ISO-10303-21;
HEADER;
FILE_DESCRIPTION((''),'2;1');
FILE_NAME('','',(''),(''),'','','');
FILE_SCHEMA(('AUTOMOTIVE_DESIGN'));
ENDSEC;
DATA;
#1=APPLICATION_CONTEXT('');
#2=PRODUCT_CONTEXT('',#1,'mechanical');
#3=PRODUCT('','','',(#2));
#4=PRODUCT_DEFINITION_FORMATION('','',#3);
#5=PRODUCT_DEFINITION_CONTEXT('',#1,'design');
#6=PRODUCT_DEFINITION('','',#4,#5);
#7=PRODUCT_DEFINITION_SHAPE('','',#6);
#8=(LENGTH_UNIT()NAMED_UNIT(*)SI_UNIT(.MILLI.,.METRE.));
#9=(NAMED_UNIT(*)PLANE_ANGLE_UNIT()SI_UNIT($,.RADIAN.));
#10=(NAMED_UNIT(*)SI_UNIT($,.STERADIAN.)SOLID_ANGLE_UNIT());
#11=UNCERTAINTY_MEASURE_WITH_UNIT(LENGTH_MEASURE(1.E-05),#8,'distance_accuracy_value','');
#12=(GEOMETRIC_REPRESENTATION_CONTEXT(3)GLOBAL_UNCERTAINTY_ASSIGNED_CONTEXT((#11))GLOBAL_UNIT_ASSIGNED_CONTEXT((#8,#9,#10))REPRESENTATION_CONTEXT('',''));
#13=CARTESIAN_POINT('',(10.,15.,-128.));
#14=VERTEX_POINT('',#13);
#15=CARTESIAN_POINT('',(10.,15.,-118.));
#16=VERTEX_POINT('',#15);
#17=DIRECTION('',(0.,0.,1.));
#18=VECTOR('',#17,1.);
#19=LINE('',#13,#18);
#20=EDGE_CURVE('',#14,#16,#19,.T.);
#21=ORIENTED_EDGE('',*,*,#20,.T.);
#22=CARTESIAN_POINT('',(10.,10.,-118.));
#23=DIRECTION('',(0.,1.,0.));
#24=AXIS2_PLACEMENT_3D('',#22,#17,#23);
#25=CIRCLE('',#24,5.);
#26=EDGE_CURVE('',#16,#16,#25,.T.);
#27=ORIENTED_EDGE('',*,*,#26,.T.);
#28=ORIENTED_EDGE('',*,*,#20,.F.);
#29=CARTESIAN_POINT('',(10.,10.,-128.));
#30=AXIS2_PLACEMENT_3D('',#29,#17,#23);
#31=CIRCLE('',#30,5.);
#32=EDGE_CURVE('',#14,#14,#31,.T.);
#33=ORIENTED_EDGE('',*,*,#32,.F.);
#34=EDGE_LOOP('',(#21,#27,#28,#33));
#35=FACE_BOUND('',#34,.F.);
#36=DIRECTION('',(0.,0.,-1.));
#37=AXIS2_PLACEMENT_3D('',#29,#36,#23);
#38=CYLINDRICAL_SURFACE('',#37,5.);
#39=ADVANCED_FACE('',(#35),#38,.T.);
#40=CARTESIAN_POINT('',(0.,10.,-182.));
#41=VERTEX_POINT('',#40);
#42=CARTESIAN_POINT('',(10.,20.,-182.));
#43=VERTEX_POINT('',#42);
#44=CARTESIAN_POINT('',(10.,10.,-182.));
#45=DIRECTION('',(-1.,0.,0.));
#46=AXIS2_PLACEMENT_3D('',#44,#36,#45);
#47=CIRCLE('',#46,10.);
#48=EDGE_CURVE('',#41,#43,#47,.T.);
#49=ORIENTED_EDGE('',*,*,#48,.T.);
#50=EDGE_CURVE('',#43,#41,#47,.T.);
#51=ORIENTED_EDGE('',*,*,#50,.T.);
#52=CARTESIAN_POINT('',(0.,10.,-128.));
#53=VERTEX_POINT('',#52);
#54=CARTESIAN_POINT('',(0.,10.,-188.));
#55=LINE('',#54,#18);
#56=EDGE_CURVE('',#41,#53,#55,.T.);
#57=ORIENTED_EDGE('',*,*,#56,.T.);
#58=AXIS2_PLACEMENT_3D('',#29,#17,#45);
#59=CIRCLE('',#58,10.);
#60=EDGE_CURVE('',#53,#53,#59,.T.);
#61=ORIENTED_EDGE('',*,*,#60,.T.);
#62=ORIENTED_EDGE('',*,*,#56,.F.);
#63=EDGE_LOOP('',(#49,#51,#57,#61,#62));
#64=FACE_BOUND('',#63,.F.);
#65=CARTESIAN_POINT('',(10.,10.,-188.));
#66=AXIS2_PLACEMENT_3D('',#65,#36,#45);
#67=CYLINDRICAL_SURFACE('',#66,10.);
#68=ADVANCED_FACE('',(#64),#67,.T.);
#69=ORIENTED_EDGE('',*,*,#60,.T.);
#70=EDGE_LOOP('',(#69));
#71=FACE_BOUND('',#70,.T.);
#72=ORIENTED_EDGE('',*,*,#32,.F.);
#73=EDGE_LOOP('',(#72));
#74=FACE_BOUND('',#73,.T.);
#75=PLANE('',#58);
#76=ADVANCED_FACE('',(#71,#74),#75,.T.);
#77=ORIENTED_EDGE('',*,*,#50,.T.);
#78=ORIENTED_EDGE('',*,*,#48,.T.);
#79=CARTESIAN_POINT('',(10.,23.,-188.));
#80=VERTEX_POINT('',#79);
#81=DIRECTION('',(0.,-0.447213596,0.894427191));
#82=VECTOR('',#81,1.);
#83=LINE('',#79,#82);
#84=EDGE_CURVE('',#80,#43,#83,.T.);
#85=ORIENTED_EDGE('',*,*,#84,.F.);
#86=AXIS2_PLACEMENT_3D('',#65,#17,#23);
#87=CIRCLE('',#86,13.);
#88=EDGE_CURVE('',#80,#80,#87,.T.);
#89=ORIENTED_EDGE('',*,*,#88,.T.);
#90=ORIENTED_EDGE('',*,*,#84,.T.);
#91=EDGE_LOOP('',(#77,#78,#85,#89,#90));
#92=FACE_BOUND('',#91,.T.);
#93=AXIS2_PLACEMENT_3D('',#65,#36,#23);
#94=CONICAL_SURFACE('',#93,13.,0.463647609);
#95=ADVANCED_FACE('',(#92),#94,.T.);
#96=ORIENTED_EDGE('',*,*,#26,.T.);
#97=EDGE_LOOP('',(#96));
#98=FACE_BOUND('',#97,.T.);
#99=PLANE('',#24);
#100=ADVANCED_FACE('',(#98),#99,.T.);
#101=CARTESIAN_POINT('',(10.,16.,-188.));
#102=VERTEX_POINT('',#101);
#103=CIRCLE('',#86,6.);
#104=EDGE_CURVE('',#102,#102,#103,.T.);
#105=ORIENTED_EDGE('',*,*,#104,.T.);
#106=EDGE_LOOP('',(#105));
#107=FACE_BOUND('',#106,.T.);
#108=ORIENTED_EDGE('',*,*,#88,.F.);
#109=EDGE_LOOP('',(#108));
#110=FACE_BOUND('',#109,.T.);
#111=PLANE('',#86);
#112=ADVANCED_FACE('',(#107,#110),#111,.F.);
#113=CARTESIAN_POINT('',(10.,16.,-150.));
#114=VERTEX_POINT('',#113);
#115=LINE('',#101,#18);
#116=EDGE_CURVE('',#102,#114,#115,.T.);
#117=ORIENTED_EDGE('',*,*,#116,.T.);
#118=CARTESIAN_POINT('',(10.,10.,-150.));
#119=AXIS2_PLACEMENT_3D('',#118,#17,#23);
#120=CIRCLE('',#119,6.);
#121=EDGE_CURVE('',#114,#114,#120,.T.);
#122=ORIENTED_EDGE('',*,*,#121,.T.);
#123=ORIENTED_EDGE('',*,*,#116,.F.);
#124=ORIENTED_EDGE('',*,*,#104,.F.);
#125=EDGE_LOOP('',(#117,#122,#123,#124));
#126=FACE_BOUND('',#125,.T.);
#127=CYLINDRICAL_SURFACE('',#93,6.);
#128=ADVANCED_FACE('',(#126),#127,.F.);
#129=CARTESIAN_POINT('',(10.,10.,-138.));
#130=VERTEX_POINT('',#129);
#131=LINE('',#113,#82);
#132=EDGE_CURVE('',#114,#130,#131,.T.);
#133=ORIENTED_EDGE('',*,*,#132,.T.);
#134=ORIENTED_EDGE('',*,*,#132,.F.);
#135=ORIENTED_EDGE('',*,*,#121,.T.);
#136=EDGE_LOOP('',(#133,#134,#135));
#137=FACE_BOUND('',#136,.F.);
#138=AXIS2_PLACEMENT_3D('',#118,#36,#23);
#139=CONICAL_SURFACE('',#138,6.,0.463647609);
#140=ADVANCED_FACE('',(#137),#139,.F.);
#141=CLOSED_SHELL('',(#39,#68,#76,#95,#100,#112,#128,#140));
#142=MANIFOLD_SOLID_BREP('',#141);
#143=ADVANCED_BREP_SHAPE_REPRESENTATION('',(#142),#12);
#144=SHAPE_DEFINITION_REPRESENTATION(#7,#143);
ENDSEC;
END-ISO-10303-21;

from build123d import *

# Parameters (mm, degrees)
CYLINDER_R              = 10
CYLINDER_DEPTH          = 60
CYLINDER001_R           = 5
CYLINDER001_DEPTH       = 10
CYLINDER002_R           = 6
CYLINDER002_DEPTH       = 38
BODY002_PLACEMENT_ANGLE = 90


with BuildPart() as part:
    # Cylinder → Cylinder (join)
    with BuildSketch(Plane(origin=(10, 0, -127), x_dir=(0, 1, 0), z_dir=(0, 0, 1))):
        Circle(CYLINDER_R)
    extrude(amount=CYLINDER_DEPTH)

    # Cone003 → Cone003 (revolve)
    with BuildSketch(Plane(origin=(10, 0, -127), x_dir=(1, 0, 0), z_dir=(0, -1, 0))):
        Polygon((0, 0), (13, 0), (0, 26), align=None)
    revolve(axis=Axis((10, 0, -127), (0, 0, 1)))

    # Cylinder001 → Cylinder001 (join)
    with BuildSketch(Plane(origin=(10, 0, -67), x_dir=(1, 0, 0), z_dir=(0, 0, 1))):
        Circle(CYLINDER001_R)
    extrude(amount=CYLINDER001_DEPTH)

    # Cylinder002 → Cylinder002 (cut)
    with BuildSketch(Plane(origin=(10, 0, -127), x_dir=(1, 0, 0), z_dir=(0, 0, 1))):
        Circle(CYLINDER002_R)
    extrude(amount=CYLINDER002_DEPTH, mode=Mode.SUBTRACT)

    # Cone → Cone (revolve, cut)
    with BuildSketch(Plane(origin=(10, 0, -89), x_dir=(1, 0, 0), z_dir=(0, -1, 0))):
        Polygon((0, 0), (6, 0), (0, 12), align=None)
    revolve(axis=Axis((10, 0, -89), (0, 0, 1)), mode=Mode.SUBTRACT)


with BuildPart() as part_1:
    # Body002 placement: moved
    add(part.part.moved(Location((10, 0, -61))).rotate(Axis((10, 0, -61), (0, 0, 1)), BODY002_PLACEMENT_ANGLE))


solid = part_1.part
